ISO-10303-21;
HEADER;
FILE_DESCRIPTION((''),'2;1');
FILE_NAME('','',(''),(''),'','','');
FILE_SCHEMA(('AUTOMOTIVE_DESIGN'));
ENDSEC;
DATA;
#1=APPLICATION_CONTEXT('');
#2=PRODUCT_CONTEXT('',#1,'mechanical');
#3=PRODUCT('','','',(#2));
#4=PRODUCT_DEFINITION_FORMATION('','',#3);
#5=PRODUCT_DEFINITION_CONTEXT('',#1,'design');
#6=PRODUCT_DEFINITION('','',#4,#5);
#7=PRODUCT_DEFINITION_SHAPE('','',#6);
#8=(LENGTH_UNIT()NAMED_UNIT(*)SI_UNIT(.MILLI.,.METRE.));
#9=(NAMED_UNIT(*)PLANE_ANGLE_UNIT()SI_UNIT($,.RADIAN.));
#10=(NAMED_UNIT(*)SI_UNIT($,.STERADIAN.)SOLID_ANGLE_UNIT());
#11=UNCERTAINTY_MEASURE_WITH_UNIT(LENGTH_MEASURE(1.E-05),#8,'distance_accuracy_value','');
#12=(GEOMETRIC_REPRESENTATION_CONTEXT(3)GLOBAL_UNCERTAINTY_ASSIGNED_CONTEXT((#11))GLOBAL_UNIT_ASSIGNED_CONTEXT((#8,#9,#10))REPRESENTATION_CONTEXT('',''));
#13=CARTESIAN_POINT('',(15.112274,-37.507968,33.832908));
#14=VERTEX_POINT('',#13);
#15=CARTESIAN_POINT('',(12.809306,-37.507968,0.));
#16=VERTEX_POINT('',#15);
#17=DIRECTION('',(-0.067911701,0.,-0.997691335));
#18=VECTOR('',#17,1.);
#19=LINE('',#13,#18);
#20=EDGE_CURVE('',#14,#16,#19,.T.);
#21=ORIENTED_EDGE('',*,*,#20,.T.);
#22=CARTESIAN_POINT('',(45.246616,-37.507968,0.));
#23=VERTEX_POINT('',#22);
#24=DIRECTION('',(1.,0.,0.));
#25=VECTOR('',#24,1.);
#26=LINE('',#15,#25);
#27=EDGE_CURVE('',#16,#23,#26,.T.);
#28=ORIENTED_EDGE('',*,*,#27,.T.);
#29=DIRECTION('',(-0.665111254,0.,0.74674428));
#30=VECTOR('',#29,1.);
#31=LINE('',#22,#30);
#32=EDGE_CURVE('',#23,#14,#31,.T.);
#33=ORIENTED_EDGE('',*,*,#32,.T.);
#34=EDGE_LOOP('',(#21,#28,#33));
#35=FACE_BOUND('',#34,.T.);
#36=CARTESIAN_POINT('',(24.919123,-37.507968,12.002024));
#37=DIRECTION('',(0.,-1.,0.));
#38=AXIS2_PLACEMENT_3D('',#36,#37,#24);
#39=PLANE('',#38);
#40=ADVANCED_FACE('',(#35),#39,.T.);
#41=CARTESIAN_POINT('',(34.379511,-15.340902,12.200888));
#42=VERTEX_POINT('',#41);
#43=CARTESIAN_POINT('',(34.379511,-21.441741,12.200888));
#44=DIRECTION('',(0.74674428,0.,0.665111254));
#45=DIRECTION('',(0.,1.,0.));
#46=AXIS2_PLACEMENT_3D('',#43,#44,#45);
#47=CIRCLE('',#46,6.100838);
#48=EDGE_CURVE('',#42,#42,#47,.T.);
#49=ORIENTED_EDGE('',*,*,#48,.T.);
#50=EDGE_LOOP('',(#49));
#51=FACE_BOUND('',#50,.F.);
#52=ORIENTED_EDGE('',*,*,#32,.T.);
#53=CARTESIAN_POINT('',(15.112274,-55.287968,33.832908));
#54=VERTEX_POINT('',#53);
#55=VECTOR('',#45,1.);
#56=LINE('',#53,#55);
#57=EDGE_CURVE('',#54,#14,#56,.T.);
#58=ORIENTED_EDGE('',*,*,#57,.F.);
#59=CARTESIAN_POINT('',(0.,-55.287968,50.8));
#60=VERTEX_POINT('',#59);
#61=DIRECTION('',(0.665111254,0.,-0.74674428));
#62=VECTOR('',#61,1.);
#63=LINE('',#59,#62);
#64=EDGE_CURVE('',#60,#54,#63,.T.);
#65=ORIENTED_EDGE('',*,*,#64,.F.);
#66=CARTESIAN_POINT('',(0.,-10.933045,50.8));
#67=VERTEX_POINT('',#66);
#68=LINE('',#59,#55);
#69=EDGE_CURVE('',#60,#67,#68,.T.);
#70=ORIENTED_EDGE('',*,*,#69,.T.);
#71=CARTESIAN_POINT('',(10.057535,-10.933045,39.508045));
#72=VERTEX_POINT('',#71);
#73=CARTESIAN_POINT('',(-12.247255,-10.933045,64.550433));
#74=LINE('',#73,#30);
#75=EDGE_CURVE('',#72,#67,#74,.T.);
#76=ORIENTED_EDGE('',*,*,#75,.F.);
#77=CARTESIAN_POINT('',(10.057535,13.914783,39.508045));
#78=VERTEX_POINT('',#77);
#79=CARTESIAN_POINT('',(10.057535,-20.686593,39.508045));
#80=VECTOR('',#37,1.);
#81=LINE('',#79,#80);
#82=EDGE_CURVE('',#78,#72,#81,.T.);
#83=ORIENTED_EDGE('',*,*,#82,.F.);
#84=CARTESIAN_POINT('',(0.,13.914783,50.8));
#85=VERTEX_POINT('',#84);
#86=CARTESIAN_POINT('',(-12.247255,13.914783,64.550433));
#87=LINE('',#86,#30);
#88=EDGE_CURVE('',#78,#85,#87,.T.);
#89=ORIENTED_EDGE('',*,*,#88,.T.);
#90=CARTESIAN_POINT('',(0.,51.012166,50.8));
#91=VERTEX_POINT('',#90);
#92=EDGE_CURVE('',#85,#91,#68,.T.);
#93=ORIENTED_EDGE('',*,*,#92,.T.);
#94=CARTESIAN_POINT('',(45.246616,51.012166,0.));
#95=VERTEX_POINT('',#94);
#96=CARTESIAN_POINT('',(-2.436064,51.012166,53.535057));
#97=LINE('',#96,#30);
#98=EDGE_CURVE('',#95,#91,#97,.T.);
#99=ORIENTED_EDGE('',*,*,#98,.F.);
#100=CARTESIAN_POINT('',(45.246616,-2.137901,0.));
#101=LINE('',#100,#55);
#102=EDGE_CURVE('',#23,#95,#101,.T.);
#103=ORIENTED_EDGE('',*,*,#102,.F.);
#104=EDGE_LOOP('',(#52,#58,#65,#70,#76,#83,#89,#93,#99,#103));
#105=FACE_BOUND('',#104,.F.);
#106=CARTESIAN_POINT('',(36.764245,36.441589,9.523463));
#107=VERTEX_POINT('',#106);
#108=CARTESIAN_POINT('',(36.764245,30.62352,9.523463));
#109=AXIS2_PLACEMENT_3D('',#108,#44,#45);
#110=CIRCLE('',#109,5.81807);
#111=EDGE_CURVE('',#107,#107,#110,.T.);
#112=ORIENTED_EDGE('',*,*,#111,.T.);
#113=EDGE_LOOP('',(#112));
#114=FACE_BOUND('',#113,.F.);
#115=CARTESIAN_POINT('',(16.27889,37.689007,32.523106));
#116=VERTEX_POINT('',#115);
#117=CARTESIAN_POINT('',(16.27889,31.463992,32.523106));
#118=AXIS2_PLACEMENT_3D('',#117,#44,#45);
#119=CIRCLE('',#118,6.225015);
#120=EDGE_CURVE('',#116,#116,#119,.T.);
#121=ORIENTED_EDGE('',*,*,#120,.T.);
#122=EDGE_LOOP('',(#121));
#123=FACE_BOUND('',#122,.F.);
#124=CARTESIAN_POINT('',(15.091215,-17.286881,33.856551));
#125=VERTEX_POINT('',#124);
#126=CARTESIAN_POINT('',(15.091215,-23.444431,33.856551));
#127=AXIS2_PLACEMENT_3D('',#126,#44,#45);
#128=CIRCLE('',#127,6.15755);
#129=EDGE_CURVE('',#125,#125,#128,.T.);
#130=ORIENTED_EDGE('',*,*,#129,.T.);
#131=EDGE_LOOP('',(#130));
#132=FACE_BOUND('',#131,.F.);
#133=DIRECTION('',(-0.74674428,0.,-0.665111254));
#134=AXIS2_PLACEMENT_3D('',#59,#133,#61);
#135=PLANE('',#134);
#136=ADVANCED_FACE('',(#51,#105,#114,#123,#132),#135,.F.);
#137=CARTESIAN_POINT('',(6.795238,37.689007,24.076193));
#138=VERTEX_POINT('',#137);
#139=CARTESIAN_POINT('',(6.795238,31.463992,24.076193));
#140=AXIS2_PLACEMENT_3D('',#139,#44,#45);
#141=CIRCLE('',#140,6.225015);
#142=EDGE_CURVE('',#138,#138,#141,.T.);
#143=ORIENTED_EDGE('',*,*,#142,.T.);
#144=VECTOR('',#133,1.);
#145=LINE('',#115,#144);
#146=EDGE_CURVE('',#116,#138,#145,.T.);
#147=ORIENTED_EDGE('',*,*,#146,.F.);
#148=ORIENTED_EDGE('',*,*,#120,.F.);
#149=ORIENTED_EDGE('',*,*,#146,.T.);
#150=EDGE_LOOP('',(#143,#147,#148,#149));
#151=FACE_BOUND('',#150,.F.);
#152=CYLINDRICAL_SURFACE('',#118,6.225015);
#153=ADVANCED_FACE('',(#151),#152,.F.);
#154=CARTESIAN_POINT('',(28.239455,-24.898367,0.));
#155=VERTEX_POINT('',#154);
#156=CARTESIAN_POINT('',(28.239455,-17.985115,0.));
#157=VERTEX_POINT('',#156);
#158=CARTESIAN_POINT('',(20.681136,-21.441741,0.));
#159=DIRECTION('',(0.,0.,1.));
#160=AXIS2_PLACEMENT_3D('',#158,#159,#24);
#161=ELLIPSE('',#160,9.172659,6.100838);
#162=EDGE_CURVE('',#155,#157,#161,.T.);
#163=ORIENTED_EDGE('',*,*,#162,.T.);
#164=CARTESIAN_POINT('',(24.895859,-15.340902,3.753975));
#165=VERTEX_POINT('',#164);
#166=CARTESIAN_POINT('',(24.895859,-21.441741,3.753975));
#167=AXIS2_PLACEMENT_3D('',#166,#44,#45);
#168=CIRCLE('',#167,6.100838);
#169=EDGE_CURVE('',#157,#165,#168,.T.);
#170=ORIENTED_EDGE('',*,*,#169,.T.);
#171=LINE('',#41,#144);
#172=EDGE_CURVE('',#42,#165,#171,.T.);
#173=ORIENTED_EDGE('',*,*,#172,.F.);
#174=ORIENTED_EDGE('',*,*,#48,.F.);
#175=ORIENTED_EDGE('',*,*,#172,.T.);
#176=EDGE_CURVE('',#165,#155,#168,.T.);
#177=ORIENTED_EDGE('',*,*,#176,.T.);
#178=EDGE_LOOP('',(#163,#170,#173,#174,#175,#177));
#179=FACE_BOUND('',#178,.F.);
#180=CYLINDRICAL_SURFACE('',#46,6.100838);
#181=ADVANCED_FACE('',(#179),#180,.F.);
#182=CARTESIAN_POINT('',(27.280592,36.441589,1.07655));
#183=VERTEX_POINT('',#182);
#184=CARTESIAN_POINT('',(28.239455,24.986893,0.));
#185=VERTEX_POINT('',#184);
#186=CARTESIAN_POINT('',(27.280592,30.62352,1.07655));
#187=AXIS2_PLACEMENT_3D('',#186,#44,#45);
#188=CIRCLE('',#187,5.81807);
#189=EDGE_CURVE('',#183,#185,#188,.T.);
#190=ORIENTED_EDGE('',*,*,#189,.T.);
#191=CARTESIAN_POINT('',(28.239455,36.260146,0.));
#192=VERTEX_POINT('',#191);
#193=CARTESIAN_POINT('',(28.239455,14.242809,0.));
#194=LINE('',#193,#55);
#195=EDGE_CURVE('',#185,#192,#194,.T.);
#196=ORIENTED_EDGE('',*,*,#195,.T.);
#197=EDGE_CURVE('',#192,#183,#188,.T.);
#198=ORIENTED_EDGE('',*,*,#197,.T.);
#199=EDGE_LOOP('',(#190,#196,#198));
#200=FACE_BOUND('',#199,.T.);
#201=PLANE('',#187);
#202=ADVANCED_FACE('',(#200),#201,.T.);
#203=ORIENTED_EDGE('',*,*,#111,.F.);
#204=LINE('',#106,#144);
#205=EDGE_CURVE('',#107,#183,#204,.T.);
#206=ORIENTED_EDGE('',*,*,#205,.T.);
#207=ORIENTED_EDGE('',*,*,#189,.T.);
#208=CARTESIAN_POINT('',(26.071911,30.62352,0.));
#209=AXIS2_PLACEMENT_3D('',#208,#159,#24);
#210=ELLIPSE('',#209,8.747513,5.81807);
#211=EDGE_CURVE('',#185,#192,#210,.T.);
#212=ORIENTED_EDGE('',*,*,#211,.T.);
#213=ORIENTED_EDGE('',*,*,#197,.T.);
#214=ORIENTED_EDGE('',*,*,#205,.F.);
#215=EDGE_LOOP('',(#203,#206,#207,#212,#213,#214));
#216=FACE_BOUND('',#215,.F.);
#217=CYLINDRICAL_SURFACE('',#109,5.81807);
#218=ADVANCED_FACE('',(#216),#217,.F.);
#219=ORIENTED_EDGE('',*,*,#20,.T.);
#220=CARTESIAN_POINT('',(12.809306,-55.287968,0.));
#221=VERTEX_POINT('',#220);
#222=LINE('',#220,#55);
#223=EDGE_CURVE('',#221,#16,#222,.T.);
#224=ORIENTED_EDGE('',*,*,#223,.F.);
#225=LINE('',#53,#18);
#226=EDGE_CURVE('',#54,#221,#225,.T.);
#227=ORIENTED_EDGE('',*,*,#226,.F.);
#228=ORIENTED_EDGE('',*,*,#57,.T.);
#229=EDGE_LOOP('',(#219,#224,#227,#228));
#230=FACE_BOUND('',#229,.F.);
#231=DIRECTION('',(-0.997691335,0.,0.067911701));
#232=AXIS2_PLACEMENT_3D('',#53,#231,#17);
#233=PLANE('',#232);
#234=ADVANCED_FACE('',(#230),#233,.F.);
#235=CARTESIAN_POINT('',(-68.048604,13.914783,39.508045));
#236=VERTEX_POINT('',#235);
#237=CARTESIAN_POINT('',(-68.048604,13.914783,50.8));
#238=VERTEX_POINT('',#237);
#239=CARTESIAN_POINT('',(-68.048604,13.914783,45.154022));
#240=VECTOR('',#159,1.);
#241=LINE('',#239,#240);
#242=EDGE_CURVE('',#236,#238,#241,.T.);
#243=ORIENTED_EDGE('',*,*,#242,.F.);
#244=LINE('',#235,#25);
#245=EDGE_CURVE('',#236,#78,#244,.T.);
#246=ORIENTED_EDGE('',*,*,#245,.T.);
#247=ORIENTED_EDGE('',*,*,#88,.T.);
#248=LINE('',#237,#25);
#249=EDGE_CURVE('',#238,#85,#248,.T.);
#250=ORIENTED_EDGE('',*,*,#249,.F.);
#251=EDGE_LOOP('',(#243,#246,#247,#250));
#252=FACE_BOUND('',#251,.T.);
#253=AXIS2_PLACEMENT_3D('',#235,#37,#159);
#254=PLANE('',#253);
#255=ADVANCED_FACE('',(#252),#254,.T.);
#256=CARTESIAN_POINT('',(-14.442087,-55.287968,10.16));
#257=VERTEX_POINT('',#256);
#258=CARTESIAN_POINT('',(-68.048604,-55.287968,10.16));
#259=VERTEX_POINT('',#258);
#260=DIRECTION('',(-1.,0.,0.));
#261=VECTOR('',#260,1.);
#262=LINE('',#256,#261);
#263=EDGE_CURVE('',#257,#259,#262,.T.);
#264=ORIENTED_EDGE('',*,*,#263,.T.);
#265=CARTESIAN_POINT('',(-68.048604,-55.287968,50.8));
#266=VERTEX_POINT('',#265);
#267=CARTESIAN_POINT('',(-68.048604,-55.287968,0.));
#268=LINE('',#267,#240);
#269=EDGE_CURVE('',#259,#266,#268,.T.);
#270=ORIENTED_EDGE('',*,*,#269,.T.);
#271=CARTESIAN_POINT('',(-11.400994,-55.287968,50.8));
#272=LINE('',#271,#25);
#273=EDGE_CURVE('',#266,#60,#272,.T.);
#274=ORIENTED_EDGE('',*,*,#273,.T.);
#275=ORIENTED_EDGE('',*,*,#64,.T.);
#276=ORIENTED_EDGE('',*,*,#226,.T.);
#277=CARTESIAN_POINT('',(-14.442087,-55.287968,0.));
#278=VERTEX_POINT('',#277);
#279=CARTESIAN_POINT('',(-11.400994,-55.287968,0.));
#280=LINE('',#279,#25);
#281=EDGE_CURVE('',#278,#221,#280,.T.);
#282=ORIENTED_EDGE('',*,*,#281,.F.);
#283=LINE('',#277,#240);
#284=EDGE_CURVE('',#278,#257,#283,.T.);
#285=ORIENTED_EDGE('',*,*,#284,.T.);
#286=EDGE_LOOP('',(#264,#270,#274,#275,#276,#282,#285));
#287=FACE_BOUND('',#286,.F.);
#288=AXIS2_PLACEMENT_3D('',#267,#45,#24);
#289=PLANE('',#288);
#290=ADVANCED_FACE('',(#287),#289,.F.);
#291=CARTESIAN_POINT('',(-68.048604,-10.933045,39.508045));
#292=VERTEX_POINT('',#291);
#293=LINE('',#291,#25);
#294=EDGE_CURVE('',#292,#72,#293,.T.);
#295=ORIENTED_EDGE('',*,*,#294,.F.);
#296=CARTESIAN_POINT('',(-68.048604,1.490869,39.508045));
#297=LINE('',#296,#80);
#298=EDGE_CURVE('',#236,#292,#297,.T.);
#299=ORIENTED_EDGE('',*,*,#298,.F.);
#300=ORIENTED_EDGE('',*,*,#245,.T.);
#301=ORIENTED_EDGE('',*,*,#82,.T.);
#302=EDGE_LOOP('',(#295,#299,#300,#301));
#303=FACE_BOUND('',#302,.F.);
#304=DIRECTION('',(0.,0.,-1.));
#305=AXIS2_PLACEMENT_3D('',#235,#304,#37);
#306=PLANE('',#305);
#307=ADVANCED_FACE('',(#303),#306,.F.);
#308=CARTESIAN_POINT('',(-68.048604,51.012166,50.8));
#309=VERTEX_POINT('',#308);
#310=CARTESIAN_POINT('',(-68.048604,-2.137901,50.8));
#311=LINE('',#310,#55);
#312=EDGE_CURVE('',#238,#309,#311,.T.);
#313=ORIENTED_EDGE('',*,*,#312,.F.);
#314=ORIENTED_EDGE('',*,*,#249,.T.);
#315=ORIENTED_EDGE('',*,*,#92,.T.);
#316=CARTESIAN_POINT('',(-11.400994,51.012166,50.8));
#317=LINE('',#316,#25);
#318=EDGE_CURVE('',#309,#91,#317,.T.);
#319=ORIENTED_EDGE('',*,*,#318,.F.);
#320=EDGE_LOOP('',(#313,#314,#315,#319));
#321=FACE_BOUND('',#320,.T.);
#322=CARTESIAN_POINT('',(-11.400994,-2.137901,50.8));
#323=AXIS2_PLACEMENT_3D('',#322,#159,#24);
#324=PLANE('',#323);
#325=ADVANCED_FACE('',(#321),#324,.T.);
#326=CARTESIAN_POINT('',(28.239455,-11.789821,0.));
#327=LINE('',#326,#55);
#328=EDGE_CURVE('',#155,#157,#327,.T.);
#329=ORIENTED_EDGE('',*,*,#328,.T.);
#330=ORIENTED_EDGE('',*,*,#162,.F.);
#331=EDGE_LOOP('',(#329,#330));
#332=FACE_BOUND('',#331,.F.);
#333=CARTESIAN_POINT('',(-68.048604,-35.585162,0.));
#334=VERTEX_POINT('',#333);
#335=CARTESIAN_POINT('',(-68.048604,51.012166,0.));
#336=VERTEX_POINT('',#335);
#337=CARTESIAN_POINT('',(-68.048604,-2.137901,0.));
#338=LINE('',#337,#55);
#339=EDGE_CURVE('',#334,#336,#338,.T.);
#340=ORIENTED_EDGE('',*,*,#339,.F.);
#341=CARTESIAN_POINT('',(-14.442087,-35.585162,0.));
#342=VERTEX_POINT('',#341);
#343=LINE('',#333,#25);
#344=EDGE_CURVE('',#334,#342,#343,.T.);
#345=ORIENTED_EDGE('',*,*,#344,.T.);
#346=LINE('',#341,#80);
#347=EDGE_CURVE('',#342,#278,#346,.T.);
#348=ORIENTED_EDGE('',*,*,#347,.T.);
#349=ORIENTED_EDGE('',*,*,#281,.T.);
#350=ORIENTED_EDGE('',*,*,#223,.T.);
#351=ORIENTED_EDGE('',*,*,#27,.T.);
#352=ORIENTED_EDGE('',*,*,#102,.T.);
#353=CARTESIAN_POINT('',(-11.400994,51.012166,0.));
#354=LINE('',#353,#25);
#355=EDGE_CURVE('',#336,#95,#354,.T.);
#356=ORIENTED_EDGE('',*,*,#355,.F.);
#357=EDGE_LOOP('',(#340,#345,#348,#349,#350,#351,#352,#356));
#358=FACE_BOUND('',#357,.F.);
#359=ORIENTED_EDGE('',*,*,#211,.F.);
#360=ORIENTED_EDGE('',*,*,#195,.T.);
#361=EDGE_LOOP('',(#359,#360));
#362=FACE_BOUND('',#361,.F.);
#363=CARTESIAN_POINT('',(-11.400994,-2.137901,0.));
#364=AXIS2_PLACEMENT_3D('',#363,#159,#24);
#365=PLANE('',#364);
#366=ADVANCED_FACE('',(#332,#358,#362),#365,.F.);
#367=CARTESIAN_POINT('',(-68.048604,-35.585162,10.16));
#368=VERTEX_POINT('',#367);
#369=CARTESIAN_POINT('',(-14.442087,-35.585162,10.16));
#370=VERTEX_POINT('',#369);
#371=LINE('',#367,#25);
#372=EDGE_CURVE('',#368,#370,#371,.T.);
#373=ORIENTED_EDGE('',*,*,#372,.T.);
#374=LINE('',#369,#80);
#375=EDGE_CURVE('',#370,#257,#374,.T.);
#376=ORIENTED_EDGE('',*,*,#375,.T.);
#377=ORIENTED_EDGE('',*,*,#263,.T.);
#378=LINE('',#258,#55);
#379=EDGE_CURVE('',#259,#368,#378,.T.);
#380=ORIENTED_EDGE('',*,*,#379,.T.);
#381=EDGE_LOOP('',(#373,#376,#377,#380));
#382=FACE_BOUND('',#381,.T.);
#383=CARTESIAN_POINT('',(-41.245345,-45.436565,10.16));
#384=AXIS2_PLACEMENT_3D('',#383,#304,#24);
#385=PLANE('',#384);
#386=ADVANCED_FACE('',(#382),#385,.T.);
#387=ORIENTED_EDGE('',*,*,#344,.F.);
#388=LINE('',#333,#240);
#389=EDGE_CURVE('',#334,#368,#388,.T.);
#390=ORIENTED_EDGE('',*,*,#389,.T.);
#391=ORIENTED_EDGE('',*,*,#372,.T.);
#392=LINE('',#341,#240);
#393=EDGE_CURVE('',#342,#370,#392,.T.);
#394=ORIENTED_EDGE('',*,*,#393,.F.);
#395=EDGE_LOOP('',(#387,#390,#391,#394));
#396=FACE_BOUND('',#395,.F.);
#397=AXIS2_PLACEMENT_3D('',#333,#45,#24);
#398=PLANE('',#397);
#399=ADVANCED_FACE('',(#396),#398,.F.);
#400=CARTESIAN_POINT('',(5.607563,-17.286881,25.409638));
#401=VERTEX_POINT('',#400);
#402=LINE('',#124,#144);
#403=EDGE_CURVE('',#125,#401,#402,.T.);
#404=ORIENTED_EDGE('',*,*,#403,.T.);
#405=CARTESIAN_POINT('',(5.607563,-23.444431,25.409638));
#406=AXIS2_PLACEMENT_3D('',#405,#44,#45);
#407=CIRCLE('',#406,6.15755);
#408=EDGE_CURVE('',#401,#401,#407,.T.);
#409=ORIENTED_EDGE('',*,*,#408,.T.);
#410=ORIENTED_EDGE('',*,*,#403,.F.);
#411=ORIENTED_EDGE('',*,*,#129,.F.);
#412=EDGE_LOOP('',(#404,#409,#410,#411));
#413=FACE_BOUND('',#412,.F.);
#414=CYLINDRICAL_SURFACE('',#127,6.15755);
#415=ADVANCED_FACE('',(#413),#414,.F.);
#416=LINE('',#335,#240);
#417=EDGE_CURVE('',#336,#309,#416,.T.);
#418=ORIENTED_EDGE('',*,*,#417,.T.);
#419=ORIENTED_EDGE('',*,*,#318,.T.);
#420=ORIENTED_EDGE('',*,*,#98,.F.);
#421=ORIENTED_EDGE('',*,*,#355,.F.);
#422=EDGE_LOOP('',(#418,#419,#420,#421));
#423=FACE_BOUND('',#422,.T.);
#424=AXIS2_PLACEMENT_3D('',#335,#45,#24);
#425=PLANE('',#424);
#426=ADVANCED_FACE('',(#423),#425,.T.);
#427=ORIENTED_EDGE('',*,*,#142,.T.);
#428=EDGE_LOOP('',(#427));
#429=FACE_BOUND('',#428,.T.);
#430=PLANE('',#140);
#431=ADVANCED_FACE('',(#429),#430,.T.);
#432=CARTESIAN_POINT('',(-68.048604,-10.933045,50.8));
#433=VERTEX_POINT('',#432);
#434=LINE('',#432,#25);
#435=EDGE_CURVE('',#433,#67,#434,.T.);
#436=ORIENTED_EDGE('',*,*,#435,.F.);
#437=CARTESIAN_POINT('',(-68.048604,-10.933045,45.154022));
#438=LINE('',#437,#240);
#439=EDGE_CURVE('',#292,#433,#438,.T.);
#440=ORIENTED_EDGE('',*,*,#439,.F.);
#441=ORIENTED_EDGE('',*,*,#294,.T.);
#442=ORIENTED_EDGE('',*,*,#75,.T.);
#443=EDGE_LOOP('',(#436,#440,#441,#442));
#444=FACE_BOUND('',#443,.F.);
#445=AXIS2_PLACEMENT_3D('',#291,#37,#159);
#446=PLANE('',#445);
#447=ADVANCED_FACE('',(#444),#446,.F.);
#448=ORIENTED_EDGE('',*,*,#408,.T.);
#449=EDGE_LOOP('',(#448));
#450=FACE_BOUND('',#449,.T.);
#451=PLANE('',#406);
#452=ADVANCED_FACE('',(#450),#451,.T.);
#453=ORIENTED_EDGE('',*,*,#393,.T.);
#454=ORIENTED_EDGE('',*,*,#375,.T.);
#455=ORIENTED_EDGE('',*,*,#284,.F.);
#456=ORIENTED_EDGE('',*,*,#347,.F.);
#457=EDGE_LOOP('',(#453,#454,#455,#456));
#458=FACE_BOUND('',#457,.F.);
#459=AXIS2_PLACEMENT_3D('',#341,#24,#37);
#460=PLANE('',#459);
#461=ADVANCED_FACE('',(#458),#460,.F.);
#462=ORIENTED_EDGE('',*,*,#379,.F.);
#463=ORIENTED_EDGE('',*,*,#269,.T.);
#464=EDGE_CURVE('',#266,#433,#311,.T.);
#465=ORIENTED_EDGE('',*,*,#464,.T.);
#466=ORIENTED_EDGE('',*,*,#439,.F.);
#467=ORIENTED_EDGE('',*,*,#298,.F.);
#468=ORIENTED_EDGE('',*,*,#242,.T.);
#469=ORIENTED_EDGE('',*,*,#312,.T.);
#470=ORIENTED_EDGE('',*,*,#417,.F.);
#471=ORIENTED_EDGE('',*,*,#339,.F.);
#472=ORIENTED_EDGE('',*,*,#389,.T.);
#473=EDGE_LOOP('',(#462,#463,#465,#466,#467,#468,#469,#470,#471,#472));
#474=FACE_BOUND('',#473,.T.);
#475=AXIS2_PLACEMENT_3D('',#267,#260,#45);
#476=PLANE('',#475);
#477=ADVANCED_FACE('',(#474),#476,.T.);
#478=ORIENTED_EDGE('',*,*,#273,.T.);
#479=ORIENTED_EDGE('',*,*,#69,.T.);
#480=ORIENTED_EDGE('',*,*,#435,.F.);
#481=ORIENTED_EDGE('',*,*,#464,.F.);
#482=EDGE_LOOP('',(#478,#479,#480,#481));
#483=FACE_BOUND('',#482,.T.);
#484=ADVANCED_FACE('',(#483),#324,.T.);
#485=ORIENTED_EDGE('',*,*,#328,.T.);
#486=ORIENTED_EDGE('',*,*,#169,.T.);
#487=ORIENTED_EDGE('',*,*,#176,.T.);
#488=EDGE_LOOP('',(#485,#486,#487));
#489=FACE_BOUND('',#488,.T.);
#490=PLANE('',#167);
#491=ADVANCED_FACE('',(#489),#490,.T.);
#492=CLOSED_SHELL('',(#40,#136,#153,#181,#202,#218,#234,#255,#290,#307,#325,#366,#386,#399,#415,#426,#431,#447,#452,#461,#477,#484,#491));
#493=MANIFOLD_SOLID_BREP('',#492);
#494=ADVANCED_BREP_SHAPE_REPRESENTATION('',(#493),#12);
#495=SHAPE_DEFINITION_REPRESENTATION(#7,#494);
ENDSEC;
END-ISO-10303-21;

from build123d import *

# Parameters (mm, degrees)
F0_W      = 113.2952198386
F0_H      = 106.3001342118
F1_DEPTH  = 50.8
F3_DEPTH  = 106.3011342118
F4_W      = 24.8478278518
F4_H      = 11.2919552803
F5_DEPTH  = 113.2962198386
F6_R      = 6.1575495423
F6_R_2    = 6.1008384399
F6_R_3    = 6.2250154244
F6_R_4    = 5.8180696171
F7_DEPTH  = 12.7
F9_DEPTH  = 17.78
F11_DEPTH = 10.16


with BuildPart() as f1:
    # F0 (on Top) → F1 (new body)
    with BuildSketch(Plane.XY):
        with Locations((-11.4009939134, -2.1379012614)):
            Rectangle(F0_W, F0_H)
    extrude(amount=F1_DEPTH)

    # F2 (on face) → F3 (cut, through all)
    with BuildSketch(Plane.XZ.offset(55.2879683673)):
        Polygon((0, 50.8), (45.2466160059, 0), (45.2466160059, 50.8), align=None)
    extrude(amount=-F3_DEPTH, mode=Mode.SUBTRACT)

    # F4 (on face) → F5 (cut, through all)
    with BuildSketch(Plane(origin=(-68.0486038327, 0, 0), x_dir=(0, -1, 0), z_dir=(-1, 0, 0))):
        with Locations((-1.490868628, 45.1540223598)):
            Rectangle(F4_W, F4_H)
    extrude(amount=-F5_DEPTH, mode=Mode.SUBTRACT)

    # F6 (on face) → F7 (cut)
    with BuildSketch(Plane(origin=(25.2307356453, 0, 22.4725473876), x_dir=(0, 1, 0), z_dir=(0.7467442801, 0, 0.6651112539))):
        with Locations((-23.4444309026, 15.2448490262)):
            Circle(F6_R)
        with Locations((-21.4417409152, -13.7552563101)):
            Circle(F6_R_2)
        with Locations((31.4639918506, 13.4591702372)):
            Circle(F6_R_3)
        with Locations((30.6235197932, -17.3407215625)):
            Circle(F6_R_4)
    extrude(amount=-F7_DEPTH, mode=Mode.SUBTRACT)

    # F8 (on face) → F9 (cut)
    with BuildSketch(Plane.XZ.offset(55.2879683673)):
        Polygon((15.1122735132, 33.832908044), (12.8093063831, 0), (45.2466160059, 0), align=None)
    extrude(amount=-F9_DEPTH, mode=Mode.SUBTRACT)

    # F10 (on face) → F11 (cut)
    with BuildSketch(Plane(origin=(0, 0, 0), x_dir=(1, 0, 0), z_dir=(0, 0, -1))):
        Polygon((-14.4420871511, 35.5851622298), (-14.4420871511, 55.2879683673), (-68.0486038327, 55.2879683673), (-68.0486038327, 42.1527642757), (-68.0486038327, 35.5851622298), align=None)
    extrude(amount=-F11_DEPTH, mode=Mode.SUBTRACT)


solid = f1.part
